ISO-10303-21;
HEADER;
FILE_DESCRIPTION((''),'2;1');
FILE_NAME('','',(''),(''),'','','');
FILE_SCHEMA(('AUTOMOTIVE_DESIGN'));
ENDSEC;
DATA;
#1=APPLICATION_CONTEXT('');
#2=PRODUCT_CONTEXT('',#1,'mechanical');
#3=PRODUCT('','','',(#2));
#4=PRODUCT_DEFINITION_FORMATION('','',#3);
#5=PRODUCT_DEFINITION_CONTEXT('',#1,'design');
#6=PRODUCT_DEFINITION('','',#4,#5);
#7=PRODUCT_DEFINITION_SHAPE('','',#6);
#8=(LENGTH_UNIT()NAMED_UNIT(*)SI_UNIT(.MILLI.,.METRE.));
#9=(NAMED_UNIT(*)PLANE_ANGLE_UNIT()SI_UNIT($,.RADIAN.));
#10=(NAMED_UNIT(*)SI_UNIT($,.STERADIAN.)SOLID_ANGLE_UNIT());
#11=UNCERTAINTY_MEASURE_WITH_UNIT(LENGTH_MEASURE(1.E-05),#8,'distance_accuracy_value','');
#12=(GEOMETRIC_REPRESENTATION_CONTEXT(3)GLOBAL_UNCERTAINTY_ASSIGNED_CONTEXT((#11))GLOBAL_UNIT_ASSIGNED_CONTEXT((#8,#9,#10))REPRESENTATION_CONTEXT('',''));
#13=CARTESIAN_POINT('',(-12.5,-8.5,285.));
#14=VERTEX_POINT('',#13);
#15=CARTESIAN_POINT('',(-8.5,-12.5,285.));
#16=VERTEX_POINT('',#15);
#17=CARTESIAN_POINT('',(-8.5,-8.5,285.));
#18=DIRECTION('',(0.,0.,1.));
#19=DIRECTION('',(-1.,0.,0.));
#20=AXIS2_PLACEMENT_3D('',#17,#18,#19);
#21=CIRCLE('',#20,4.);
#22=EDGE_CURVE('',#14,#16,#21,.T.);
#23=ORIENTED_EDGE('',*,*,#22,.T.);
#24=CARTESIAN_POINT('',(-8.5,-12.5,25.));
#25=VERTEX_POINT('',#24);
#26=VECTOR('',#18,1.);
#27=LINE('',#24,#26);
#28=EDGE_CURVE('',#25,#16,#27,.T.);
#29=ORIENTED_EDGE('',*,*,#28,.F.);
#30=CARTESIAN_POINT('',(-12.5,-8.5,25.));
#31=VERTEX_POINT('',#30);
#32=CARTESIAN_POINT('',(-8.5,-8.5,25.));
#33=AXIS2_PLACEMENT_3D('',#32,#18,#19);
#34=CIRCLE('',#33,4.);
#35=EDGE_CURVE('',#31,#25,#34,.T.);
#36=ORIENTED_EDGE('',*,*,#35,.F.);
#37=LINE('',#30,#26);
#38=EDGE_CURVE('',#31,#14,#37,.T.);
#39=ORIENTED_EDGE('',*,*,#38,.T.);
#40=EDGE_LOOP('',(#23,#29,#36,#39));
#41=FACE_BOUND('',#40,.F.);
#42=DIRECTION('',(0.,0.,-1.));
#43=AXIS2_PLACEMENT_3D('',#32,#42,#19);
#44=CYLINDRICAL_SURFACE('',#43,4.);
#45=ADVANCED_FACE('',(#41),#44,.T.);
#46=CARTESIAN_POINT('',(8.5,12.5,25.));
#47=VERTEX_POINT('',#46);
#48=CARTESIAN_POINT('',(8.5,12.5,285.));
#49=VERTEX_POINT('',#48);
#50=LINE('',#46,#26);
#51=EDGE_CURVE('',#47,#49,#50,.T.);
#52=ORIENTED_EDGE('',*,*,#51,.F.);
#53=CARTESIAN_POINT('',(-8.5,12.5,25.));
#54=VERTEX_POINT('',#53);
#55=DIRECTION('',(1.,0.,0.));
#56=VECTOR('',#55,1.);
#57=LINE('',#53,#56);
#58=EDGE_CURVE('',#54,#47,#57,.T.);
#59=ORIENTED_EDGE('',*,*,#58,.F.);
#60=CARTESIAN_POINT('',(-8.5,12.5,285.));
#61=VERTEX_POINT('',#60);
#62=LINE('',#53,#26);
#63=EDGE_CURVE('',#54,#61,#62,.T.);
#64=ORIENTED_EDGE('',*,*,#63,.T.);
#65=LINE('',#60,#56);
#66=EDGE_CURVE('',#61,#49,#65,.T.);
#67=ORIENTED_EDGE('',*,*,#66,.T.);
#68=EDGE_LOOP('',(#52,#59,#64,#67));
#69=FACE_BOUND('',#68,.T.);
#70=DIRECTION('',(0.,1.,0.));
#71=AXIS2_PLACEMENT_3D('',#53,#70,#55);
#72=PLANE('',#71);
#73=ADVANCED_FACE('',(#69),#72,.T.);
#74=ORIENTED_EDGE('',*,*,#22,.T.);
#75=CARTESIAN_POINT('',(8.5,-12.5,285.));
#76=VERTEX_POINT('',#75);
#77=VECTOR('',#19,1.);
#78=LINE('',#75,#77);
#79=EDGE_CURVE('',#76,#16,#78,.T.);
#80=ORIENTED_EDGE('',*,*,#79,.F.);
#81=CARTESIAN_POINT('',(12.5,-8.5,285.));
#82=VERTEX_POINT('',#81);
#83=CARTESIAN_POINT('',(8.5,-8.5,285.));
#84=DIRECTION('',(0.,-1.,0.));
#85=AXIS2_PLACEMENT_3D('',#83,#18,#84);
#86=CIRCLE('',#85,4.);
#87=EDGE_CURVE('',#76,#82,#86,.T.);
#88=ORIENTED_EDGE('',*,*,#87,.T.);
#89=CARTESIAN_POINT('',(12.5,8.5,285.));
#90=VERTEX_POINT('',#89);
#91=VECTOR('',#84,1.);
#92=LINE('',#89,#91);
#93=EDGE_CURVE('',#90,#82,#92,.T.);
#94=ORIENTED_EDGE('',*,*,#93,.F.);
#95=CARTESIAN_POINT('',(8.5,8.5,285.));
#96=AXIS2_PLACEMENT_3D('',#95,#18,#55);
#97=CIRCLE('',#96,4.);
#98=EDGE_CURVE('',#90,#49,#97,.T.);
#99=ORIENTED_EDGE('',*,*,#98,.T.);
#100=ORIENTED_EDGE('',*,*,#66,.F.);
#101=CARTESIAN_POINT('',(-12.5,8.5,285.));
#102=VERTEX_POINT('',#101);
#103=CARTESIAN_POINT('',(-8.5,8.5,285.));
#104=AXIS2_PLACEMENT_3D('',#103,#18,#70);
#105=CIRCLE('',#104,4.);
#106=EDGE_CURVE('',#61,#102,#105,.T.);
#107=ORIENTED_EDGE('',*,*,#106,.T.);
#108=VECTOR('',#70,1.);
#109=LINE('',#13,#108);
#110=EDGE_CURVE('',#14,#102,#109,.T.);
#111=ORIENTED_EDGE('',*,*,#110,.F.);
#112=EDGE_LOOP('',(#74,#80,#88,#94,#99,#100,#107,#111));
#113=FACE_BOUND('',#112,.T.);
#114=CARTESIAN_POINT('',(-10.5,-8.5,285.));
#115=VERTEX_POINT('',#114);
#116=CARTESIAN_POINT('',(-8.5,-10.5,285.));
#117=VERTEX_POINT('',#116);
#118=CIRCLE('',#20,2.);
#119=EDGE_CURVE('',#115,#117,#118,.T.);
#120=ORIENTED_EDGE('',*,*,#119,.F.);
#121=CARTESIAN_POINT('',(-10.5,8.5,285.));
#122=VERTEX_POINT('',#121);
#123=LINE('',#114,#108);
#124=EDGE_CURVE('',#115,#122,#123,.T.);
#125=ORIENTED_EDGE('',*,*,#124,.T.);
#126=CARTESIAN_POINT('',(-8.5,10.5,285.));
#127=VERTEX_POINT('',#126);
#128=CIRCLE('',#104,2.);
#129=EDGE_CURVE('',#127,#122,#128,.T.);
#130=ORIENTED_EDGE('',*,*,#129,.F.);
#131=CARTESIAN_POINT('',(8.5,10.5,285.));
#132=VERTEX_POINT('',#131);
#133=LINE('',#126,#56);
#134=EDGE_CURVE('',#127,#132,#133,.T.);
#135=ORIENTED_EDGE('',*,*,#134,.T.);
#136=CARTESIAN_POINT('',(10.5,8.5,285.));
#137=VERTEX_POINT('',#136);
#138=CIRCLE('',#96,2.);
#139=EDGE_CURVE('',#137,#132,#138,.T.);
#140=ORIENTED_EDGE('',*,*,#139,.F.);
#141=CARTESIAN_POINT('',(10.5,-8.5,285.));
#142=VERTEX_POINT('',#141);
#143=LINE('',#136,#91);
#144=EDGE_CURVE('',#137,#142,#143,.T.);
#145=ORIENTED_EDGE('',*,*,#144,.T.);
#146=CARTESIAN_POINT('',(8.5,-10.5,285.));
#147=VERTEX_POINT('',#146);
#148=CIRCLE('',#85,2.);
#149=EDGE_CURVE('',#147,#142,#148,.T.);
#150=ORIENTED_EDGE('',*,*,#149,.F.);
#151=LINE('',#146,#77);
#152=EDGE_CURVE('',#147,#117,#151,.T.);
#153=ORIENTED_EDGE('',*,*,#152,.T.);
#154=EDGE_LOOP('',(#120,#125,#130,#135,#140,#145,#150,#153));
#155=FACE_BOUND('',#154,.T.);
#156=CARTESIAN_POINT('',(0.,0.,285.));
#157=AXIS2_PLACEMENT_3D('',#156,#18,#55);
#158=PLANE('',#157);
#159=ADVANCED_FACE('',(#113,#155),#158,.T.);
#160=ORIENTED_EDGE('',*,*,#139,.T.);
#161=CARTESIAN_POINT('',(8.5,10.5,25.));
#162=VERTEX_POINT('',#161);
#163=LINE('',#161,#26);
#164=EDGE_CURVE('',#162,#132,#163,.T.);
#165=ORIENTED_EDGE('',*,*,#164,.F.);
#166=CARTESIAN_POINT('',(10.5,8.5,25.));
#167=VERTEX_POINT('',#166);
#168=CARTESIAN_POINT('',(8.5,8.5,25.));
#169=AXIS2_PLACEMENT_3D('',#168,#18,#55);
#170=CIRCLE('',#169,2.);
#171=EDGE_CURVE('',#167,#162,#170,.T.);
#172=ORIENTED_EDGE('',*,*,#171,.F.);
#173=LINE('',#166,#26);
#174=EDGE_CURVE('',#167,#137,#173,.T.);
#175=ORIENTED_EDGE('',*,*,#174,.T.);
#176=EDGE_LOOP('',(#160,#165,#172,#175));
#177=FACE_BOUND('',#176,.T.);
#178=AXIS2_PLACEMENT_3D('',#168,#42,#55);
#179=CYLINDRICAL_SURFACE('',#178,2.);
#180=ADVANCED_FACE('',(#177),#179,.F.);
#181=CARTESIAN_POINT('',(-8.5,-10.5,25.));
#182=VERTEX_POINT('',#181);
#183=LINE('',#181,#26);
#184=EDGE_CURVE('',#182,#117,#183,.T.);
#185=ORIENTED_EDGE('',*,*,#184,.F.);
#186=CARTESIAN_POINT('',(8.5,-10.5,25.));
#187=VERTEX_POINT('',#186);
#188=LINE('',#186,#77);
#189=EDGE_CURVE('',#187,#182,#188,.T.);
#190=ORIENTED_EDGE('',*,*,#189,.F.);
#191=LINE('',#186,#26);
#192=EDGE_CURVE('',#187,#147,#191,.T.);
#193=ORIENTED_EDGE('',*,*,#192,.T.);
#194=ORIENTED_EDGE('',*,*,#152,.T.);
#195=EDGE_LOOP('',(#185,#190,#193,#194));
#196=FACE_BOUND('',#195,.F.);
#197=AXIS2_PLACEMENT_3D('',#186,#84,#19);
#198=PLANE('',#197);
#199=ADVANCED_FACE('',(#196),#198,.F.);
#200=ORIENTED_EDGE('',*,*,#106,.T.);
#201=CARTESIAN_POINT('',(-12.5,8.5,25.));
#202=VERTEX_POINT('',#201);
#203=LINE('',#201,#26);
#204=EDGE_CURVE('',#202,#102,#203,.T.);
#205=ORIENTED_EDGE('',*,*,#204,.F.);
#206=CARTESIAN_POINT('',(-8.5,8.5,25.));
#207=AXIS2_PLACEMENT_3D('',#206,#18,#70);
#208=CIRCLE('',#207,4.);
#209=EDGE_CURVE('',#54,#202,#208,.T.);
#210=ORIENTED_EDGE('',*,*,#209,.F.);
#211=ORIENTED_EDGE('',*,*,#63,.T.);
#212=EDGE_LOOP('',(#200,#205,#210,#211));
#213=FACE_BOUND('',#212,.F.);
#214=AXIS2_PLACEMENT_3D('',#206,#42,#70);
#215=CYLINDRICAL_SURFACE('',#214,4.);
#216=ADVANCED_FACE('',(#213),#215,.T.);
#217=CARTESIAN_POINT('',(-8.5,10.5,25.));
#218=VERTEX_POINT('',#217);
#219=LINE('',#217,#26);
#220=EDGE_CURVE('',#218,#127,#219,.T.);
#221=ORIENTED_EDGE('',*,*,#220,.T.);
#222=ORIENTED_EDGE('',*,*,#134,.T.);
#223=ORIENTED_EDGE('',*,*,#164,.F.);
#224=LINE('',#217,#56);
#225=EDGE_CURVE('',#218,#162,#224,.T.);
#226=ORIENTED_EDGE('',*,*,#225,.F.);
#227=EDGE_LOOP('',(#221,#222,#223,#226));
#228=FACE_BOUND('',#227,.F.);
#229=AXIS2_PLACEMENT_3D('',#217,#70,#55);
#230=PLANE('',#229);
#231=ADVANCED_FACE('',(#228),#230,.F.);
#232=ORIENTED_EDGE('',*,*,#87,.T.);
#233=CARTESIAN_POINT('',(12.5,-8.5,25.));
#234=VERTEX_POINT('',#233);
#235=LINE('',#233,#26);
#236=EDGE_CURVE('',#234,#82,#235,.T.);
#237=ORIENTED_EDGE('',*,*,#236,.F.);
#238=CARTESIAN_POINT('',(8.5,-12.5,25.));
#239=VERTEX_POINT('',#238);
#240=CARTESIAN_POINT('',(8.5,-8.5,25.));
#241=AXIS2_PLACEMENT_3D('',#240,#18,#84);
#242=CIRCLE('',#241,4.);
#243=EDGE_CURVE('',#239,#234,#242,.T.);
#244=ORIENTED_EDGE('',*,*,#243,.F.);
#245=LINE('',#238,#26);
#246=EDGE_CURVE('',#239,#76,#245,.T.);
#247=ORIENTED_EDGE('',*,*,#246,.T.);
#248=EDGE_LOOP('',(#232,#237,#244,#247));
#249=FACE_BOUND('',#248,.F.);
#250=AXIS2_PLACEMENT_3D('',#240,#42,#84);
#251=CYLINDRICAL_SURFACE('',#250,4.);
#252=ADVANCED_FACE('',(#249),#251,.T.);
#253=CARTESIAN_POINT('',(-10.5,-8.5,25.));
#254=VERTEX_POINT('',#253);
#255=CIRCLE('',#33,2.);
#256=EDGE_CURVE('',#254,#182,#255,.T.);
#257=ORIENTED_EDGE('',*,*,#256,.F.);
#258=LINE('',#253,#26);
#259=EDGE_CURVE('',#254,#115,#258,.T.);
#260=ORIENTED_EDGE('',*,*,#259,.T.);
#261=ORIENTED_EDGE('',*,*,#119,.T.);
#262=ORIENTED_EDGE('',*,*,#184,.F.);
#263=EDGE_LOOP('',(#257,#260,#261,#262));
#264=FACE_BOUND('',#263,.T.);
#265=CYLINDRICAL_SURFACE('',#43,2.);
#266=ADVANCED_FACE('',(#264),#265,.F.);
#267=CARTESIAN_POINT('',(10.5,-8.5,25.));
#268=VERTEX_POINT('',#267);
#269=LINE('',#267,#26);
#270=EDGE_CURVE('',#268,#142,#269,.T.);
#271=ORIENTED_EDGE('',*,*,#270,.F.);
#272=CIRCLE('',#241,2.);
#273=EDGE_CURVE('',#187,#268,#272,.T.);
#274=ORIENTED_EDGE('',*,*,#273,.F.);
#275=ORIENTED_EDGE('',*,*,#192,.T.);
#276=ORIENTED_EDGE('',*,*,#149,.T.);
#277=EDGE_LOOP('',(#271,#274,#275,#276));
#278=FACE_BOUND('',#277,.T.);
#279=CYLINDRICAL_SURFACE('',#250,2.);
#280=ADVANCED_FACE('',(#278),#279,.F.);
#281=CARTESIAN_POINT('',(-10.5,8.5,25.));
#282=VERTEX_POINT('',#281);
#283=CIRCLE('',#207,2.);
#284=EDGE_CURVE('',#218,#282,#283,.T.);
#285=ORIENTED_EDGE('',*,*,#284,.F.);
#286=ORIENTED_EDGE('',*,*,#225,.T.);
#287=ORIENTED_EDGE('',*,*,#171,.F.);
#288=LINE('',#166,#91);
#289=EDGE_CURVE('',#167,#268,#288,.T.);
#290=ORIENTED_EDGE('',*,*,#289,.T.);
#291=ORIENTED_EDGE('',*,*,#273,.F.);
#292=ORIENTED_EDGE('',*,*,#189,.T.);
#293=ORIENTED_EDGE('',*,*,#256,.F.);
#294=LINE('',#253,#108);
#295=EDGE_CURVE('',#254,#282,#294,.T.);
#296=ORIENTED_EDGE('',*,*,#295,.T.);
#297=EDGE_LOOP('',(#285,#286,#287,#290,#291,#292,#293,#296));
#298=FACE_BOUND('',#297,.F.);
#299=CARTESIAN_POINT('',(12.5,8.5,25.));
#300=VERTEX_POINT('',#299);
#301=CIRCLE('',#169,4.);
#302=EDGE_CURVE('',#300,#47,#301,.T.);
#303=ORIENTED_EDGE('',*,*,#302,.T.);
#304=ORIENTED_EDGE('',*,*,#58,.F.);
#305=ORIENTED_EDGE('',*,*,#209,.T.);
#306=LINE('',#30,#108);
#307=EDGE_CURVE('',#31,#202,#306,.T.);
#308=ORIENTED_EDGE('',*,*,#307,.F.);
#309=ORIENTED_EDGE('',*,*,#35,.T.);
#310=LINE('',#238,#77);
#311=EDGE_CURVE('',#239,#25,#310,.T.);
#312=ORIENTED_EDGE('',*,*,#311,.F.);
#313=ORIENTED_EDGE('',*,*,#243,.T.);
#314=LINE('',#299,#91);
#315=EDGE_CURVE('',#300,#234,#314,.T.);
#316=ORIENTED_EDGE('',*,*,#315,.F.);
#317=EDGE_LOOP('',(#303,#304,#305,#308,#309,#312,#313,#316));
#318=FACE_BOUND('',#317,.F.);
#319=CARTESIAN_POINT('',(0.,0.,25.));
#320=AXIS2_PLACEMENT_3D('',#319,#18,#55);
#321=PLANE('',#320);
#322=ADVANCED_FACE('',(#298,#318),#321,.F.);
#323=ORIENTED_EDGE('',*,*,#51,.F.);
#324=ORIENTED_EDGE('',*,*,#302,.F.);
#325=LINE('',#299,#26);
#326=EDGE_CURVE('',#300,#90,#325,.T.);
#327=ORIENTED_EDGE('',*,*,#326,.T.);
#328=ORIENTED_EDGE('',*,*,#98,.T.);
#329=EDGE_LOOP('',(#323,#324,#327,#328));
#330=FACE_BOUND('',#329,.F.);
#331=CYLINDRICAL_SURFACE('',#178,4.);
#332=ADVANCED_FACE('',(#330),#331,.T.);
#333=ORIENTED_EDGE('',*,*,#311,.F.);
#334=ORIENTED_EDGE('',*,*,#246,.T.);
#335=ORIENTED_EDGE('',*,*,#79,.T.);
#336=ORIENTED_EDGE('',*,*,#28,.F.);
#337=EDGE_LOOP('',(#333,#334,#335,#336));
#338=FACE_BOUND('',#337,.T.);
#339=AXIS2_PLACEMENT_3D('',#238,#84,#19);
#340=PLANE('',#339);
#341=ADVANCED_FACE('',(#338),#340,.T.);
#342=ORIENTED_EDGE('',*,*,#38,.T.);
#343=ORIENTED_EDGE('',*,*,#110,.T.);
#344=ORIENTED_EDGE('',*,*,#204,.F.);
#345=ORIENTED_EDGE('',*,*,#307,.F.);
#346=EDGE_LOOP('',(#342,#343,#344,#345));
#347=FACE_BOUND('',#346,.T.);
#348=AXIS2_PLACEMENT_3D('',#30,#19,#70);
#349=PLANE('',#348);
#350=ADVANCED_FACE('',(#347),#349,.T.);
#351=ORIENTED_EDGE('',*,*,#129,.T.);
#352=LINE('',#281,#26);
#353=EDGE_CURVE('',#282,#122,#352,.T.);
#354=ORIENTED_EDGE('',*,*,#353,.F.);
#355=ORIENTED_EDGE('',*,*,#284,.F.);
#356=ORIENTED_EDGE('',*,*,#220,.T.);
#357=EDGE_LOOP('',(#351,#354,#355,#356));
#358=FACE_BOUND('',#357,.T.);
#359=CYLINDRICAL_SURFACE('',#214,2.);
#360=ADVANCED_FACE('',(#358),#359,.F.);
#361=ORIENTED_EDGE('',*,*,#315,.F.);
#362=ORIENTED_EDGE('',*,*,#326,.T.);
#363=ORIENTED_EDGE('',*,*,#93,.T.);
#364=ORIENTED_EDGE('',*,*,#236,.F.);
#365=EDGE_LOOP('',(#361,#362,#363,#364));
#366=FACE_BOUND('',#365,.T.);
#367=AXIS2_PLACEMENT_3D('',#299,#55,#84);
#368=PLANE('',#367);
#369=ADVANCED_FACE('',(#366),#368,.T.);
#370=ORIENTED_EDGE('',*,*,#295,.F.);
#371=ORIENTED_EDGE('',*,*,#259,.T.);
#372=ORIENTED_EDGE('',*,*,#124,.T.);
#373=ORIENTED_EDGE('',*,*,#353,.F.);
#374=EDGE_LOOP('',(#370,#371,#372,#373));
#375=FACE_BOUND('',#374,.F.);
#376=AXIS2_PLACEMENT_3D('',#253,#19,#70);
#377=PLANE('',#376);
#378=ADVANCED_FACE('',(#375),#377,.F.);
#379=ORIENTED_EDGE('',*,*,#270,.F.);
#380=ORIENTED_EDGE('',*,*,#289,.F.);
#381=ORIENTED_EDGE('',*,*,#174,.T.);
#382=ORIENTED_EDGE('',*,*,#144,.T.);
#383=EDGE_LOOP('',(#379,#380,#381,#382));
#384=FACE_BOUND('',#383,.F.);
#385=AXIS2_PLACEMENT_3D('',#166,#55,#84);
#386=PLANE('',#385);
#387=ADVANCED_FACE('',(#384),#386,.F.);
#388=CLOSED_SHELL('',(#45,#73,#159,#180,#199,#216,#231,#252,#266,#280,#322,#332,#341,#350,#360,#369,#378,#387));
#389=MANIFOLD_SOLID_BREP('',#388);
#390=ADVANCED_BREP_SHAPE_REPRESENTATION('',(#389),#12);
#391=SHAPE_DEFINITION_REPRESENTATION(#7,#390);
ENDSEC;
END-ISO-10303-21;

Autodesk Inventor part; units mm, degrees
ref_plane "Start plane" through (0, 0, 25) normal (0, 0, 1) x (1, 0, 0)
ref_plane "End plane" through (0, 0, 285) normal (0, 0, 1) x (1, 0, 0)
sketch "Sketch" plane through (0, 0, 0) normal (0, 0, 1) x (1, 0, 0)
  line L0 (-12.5, -8.5) -> (-12.5, 8.5)
  line L1 (-8.5, 12.5) -> (8.5, 12.5)
  line L2 (12.5, 8.5) -> (12.5, -8.5)
  line L3 (8.5, -12.5) -> (-8.5, -12.5)
  arc A0 (-12.5, -8.5) -> (-8.5, -12.5) centre (-8.5, -8.5) ccw
  arc A1 (12.5, 8.5) -> (8.5, 12.5) centre (8.5, 8.5) ccw
  arc A2 (-8.5, 12.5) -> (-12.5, 8.5) centre (-8.5, 8.5) ccw
  arc A3 (8.5, -12.5) -> (12.5, -8.5) centre (8.5, -8.5) ccw
  arc A4 (-8.5, 10.5) -> (-10.5, 8.5) centre (-8.5, 8.5) ccw
  line L4 (-8.5, 10.5) -> (8.5, 10.5)
  arc A5 (10.5, 8.5) -> (8.5, 10.5) centre (8.5, 8.5) ccw
  line L5 (10.5, 8.5) -> (10.5, -8.5)
  arc A6 (8.5, -10.5) -> (10.5, -8.5) centre (8.5, -8.5) ccw
  line L6 (8.5, -10.5) -> (-8.5, -10.5)
  arc A7 (-10.5, -8.5) -> (-8.5, -10.5) centre (-8.5, -8.5) ccw
  line L7 (-10.5, -8.5) -> (-10.5, 8.5)
  line L8 (0, 18.6598) -> (0, -18.6598) construction
  line L9 (-18.6598, 0) -> (18.6598, 0) construction
  dimension "d7" = 4
  dimension "d9" = 25
  dimension "d11" = 25
  dimension "d12" = 2
  dimension "d15" = 12.5
  dimension "d16" = 12.5
extrude "Body" add sketch "Sketch" along normal up to surface (260 mm away) from surface at 25
sketch "Sketch3" plane through (0, 0, 0) normal (0, 0, 1) x (1, 0, 0)
  line L0 (0, 0) -> (10, 0)
ref_plane "Work Plane3" through (0, 0, 0) normal (0, -1, 0) x (1, 0, 0)
sketch "Sketch4" plane through (0, 0, 0) normal (0, -1, 0) x (1, 0, 0)
  line L0 (-2, 25) -> (12, 25)
  line L1 (-2, 285) -> (12, 285)
  dimension "d18" = 260
ref_plane "Work Plane4" through (-8.5, 27.5, 25) normal (0, 0, -1) x (-1, 0, 0)
split "Split1" plane through (-8.5, 27.5, 25) removes the side toward (0, 0, -1)
ref_plane "Work Plane5" through (8.5, 27.5, 285) normal (0, 0, 1) x (1, 0, 0)
split "Split2" plane through (8.5, 27.5, 285) removes the side toward (0, 0, 1)
equation "\"d7\" = G_IR"
equation "\"d9\" = G_W"
equation "\"d11\" = G_H"
equation "\"d12\" = G_T"
equation "\"d15\" = 0.5 * d9"
equation "\"d16\" = 0.5 * d11"
equation "\"d3\" = G_L"
equation "\"G_W\" = 25"
equation "\"G_H\" = 25"
equation "\"G_T\" = 2"
equation "\"G_IR\" = 4"
equation "\"G_L\" = d18"
equation "\"G_OFFSET_START\" = -25"
equation "\"G_OFFSET_END\" = -25"
equation "\"d13\" = -G_OFFSET_START"
equation "\"d14\" = G_OFFSET_END + B_L"
equation "\"B_L\" = 310"
properties part number "ISO 4019 - 25x25x2 - 260" material "Steel, Mild"
